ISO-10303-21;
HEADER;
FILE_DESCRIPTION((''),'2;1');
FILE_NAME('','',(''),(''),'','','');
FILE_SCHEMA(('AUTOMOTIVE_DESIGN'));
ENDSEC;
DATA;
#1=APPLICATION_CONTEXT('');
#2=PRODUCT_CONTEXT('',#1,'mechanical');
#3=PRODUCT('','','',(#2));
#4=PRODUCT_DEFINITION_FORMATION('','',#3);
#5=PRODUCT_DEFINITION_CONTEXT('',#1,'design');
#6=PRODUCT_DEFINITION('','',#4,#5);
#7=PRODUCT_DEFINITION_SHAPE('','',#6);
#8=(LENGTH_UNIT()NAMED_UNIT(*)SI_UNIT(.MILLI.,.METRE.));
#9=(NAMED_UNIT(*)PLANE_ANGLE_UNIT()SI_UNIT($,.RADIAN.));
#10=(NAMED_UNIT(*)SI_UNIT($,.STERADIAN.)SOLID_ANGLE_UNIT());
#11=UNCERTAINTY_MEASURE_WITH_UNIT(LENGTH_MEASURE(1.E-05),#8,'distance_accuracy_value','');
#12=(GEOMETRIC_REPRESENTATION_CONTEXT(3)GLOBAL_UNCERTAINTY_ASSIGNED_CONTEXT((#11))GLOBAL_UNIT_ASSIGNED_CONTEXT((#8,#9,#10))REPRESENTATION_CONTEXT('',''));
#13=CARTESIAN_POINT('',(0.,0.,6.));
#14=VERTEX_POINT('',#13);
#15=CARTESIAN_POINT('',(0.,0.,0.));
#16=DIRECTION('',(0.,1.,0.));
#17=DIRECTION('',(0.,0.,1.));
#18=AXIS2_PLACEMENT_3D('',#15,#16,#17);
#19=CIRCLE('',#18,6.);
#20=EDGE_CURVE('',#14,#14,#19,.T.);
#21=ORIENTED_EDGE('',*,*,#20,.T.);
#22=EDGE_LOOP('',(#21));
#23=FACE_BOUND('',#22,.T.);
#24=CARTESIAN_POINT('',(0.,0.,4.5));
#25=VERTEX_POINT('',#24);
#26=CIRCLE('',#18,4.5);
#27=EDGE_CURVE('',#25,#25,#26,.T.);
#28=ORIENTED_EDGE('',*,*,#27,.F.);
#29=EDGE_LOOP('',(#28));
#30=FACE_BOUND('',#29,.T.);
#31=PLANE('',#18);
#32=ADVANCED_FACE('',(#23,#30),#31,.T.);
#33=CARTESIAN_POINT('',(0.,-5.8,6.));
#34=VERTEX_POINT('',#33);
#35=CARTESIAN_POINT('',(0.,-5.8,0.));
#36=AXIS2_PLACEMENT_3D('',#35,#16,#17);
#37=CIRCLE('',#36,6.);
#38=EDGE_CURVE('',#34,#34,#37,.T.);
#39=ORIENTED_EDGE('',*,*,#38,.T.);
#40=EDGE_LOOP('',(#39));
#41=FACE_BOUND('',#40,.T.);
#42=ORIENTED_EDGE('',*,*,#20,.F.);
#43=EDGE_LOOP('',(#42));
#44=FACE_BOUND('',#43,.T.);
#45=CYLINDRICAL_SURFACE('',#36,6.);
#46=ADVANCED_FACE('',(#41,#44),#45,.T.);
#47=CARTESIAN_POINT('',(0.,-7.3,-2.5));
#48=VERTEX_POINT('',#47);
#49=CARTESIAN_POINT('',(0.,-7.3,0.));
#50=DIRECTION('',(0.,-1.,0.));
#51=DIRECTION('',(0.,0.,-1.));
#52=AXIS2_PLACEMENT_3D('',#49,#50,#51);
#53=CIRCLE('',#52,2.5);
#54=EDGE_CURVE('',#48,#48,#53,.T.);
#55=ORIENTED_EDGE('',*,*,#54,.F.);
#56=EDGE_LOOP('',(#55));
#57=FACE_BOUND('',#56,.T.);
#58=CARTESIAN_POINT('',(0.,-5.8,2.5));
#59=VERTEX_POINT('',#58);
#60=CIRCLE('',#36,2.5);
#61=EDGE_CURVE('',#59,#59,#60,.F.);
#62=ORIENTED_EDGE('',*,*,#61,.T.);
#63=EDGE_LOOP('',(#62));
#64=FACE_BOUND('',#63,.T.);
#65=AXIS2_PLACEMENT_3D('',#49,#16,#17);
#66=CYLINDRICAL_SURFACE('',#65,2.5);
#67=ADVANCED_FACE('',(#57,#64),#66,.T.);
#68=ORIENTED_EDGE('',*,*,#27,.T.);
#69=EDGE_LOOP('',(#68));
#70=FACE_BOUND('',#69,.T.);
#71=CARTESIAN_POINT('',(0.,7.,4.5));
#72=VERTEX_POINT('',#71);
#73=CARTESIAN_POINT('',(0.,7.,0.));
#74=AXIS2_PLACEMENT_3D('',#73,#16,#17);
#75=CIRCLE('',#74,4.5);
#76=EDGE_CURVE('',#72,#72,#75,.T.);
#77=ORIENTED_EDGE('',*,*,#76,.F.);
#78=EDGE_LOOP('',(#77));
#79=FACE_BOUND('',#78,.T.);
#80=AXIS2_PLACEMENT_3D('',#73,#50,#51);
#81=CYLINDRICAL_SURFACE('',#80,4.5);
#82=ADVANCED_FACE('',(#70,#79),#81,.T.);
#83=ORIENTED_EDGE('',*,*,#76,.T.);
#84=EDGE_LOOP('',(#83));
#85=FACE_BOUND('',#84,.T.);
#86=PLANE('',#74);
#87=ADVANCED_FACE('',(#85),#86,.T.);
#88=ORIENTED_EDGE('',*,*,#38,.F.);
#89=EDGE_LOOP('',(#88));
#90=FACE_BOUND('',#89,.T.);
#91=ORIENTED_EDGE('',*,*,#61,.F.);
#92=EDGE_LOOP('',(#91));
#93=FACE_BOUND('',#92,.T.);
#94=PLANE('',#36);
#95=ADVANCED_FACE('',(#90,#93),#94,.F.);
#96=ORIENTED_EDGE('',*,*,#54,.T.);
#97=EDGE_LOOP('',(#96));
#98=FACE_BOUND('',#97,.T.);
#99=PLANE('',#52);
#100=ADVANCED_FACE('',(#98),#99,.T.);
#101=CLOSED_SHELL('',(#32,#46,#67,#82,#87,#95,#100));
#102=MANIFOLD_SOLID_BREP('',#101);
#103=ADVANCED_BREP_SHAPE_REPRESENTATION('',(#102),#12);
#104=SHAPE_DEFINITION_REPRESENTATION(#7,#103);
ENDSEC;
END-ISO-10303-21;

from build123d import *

# Parameters (mm, degrees)
SKETCH1_R           = 6
BOSS_EXTRUDE2_DEPTH = 5.8
SKETCH5_R           = 4.5
BOSS_EXTRUDE3_DEPTH = 7
SKETCH6_R           = 2.5
BOSS_EXTRUDE4_DEPTH = 1.5


with BuildPart() as part:
    # Sketch1 → Boss-Extrude2 (new body)
    with BuildSketch(Plane(origin=(0, 0, 0), x_dir=(1, 0, 0), z_dir=(0, 1, 0))):
        Circle(SKETCH1_R)
    extrude(amount=-BOSS_EXTRUDE2_DEPTH)

    # Sketch5 → Boss-Extrude3 (add)
    with BuildSketch(Plane(origin=(0, 0, 0), x_dir=(-1, 0, 0), z_dir=(0, 1, 0))):
        Circle(SKETCH5_R)
    extrude(amount=BOSS_EXTRUDE3_DEPTH)

    # Sketch6 → Boss-Extrude4 (add)
    with BuildSketch(Plane.XZ.offset(5.8)):
        Circle(SKETCH6_R)
    extrude(amount=BOSS_EXTRUDE4_DEPTH)


solid = part.part
